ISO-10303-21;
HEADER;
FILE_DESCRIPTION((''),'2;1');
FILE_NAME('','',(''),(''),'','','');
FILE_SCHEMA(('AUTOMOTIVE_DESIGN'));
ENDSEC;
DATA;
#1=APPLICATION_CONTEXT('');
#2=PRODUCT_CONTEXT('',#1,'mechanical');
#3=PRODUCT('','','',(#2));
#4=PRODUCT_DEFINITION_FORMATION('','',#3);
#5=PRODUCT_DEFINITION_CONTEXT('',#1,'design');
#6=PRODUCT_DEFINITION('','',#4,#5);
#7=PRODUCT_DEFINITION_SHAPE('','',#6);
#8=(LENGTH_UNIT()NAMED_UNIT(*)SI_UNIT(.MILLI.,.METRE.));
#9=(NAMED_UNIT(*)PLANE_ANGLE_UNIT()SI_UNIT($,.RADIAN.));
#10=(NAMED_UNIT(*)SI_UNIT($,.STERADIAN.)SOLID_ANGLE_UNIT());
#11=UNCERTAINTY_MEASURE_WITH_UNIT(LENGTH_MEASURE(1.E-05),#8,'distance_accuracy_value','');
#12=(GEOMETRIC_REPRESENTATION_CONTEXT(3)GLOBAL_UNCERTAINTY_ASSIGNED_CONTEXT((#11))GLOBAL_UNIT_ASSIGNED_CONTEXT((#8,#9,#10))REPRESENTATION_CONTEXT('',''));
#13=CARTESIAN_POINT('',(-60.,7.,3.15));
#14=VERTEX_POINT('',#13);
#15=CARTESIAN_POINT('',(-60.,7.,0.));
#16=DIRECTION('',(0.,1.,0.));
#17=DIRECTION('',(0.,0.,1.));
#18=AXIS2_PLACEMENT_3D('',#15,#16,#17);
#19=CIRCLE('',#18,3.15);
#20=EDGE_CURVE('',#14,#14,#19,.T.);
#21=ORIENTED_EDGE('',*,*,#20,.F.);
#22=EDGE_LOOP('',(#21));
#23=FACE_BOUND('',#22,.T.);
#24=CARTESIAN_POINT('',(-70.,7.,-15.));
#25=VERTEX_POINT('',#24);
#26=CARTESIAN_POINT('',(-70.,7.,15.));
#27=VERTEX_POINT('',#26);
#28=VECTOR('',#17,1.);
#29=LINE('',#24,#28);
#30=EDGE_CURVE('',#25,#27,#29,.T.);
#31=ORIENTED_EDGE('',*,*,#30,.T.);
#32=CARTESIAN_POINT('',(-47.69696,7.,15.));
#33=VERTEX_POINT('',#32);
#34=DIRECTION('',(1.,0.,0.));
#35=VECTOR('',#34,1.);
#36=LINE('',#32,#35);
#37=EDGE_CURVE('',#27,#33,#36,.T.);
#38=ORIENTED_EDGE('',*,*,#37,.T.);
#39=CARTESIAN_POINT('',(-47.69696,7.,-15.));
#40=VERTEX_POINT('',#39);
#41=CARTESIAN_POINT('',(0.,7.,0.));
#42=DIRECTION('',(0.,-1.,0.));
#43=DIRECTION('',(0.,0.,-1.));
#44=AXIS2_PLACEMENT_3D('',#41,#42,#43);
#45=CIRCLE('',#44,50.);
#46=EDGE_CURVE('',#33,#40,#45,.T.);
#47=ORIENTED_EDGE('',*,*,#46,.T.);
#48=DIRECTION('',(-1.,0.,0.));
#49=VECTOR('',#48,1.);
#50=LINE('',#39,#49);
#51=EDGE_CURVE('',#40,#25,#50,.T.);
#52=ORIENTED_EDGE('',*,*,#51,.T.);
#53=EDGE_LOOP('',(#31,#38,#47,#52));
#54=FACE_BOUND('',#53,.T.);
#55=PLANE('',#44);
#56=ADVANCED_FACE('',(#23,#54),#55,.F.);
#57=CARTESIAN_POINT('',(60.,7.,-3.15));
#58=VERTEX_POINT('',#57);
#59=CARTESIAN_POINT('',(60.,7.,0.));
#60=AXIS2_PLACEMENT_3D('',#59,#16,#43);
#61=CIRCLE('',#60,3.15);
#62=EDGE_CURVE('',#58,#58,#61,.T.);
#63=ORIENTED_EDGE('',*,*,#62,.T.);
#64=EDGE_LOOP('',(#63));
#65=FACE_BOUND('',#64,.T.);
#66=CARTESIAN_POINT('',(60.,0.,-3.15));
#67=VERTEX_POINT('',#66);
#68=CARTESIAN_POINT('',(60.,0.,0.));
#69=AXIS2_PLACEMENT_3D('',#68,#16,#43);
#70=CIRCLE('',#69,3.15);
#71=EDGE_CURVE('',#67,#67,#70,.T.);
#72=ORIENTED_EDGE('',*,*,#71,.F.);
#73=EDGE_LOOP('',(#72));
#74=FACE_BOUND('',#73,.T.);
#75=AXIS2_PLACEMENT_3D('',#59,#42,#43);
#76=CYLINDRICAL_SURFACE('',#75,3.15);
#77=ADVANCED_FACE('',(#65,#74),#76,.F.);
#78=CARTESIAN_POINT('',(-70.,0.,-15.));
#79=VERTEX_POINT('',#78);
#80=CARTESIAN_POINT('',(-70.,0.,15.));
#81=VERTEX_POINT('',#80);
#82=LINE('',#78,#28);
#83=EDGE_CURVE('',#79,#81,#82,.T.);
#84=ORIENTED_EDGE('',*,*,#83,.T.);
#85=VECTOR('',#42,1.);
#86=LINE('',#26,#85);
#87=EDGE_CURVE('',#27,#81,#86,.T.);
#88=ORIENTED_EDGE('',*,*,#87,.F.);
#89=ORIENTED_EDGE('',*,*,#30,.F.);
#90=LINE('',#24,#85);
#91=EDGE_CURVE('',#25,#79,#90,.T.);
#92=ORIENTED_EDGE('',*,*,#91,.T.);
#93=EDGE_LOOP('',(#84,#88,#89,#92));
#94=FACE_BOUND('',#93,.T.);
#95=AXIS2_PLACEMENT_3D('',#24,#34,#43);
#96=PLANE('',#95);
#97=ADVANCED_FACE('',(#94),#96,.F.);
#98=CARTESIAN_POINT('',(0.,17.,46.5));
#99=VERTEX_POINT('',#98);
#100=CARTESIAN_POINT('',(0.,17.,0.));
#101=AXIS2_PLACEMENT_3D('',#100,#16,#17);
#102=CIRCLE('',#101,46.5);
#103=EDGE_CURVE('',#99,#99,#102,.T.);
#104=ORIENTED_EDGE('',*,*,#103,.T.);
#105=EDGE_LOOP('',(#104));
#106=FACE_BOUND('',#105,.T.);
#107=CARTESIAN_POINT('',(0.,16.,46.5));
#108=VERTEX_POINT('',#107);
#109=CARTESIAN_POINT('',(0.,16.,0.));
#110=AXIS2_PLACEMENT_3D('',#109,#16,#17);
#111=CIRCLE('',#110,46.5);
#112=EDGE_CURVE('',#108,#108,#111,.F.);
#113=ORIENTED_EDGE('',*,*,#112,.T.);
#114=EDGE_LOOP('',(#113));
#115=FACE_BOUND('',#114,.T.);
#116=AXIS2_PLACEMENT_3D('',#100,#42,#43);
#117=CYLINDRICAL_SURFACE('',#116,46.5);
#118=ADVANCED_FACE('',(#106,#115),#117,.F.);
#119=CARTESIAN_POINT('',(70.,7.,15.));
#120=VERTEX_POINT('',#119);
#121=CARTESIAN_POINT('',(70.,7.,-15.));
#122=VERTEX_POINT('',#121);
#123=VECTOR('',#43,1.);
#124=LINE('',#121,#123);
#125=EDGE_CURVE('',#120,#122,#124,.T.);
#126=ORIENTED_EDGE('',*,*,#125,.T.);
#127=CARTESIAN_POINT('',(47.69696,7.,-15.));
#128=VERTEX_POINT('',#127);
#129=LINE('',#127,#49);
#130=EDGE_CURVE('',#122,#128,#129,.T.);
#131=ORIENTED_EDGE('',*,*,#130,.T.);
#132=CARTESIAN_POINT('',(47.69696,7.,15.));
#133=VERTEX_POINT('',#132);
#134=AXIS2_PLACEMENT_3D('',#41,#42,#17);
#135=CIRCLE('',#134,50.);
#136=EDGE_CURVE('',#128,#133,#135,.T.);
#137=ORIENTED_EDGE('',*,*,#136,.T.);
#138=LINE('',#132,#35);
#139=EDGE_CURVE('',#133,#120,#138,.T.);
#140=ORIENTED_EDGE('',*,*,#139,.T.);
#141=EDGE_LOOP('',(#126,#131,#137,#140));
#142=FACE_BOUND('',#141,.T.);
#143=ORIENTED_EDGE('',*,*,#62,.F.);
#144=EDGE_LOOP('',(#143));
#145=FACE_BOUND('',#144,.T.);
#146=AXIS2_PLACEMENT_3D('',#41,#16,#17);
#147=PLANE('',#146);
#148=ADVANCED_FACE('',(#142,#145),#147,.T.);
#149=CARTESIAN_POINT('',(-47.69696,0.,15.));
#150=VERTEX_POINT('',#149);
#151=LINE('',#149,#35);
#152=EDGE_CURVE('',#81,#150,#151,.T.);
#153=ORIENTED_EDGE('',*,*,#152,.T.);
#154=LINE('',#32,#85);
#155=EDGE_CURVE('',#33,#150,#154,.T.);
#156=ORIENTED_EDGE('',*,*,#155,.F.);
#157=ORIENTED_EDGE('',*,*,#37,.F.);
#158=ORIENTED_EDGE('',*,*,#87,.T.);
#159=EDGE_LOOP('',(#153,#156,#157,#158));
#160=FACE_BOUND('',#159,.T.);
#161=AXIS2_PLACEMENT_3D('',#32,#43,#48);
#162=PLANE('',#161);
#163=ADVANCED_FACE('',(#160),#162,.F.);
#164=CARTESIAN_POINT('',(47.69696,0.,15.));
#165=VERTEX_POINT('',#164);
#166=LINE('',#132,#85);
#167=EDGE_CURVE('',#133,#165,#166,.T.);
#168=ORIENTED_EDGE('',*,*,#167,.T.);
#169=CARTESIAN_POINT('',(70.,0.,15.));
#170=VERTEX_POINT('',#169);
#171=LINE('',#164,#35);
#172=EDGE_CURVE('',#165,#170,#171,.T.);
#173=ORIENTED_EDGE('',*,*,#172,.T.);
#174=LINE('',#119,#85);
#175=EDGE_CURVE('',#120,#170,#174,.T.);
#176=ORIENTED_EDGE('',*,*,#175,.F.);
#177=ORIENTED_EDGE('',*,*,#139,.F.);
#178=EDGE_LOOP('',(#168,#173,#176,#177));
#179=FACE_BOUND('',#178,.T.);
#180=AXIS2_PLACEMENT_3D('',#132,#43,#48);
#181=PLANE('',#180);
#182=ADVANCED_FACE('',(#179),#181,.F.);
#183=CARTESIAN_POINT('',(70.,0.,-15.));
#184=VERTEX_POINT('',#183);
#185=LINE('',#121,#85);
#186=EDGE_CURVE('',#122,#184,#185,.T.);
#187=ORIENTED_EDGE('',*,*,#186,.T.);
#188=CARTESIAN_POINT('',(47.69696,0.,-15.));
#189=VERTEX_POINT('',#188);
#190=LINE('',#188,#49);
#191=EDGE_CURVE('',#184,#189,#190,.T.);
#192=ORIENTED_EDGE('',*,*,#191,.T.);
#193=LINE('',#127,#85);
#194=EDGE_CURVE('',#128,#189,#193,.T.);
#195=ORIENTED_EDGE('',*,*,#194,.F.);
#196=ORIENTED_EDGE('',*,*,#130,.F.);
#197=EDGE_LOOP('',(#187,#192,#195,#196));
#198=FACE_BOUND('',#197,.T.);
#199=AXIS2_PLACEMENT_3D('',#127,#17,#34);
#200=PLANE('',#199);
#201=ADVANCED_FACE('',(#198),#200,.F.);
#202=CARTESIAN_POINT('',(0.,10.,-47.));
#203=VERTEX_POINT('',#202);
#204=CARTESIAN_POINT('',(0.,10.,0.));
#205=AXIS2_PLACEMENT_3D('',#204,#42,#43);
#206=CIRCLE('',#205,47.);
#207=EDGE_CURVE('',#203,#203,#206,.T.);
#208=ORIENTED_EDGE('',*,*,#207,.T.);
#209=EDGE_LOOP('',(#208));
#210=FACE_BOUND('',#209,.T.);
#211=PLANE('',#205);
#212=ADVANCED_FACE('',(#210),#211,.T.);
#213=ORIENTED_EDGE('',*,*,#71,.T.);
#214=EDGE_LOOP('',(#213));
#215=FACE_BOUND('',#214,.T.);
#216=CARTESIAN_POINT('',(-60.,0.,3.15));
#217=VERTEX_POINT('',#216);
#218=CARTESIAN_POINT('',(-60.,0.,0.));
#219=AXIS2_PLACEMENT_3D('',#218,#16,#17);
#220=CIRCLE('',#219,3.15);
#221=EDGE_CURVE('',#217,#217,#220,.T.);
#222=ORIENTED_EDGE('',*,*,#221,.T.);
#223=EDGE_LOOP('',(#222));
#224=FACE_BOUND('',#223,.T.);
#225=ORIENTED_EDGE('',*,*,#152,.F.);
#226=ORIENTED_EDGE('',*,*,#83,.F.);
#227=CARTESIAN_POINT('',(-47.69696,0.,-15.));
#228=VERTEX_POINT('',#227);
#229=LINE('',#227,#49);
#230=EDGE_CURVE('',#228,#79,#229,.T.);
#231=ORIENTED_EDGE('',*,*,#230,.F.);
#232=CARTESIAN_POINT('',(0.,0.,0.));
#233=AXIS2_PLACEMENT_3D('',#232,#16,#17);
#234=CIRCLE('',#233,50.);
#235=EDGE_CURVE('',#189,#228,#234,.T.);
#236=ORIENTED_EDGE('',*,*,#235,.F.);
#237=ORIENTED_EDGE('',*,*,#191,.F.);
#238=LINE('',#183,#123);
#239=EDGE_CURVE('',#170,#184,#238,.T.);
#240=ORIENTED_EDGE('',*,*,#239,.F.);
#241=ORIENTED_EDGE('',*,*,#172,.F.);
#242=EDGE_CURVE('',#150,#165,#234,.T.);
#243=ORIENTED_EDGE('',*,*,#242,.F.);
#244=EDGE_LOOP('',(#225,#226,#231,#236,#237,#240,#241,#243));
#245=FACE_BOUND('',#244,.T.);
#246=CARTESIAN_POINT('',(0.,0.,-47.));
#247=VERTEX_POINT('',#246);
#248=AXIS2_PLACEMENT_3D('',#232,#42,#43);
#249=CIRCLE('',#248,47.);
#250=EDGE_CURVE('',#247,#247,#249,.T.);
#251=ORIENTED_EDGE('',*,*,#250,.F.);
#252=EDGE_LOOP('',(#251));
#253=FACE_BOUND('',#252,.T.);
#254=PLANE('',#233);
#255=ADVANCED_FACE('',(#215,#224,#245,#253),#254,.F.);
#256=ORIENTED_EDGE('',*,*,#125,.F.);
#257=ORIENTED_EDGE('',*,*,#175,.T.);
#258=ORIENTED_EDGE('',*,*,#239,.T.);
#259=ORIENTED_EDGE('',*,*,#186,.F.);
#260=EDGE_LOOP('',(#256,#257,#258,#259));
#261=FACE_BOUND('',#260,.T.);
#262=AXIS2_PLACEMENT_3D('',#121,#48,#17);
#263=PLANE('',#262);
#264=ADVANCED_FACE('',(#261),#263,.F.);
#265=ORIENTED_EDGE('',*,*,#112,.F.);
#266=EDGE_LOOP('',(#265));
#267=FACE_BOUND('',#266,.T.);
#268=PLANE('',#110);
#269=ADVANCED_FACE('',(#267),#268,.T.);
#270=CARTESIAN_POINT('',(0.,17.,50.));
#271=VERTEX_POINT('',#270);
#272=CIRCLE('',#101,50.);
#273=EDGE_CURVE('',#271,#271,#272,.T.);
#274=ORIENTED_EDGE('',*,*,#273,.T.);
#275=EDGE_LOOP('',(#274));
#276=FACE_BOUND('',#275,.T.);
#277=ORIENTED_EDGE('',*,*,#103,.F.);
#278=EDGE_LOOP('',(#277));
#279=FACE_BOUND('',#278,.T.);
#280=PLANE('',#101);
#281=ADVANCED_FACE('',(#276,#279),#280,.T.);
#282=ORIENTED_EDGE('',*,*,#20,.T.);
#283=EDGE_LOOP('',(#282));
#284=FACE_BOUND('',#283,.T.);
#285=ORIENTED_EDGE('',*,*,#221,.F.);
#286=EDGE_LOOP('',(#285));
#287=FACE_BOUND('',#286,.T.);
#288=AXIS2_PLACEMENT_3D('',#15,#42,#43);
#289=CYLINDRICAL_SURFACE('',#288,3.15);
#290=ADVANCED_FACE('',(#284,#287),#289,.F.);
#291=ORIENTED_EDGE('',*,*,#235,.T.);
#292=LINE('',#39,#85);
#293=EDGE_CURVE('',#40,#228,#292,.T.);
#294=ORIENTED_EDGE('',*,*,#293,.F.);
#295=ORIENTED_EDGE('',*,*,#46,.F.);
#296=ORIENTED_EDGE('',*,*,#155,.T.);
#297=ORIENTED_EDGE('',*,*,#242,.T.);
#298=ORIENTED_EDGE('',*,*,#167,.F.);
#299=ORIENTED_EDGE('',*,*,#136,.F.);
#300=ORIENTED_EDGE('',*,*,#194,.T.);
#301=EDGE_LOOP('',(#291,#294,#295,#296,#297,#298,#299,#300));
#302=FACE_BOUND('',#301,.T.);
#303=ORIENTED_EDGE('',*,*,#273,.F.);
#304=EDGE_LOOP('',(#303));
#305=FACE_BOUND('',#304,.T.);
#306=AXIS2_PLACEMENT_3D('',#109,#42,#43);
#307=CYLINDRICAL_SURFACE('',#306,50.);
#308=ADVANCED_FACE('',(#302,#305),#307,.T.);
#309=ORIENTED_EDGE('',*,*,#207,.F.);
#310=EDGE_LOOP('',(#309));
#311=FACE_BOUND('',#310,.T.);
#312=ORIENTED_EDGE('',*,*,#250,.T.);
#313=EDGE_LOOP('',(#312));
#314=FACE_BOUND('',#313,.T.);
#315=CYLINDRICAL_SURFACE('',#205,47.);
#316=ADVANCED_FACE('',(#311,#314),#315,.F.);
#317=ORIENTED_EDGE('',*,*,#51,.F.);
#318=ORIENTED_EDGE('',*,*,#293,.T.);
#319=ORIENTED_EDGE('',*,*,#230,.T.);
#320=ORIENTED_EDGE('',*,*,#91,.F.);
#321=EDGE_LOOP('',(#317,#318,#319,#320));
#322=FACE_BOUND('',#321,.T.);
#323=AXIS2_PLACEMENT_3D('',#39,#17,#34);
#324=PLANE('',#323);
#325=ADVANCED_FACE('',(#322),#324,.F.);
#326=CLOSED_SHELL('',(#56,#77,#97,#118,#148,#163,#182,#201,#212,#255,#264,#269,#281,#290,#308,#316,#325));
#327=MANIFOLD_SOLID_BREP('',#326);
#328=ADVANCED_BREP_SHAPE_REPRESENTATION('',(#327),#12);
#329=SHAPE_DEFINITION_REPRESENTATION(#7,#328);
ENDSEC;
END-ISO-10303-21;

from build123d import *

# Parameters (mm, degrees)
SKETCH1_R           = 50
BOSS_EXTRUDE1_DEPTH = 16
SKETCH2_R           = 50
SKETCH2_R_2         = 46.5
BOSS_EXTRUDE2_DEPTH = 1
SKETCH3_R           = 47
CUT_EXTRUDE1_DEPTH  = 10
SKETCH4_R           = 3.15
BOSS_EXTRUDE3_DEPTH = 7


with BuildPart() as part:
    # Sketch1 → Boss-Extrude1 (new body)
    with BuildSketch(Plane(origin=(0, 0, 0), x_dir=(1, 0, 0), z_dir=(0, 1, 0))):
        Circle(SKETCH1_R)
    extrude(amount=BOSS_EXTRUDE1_DEPTH)

    # Sketch2 → Boss-Extrude2 (add)
    with BuildSketch(Plane(origin=(0, 16, 0), x_dir=(1, 0, 0), z_dir=(0, 1, 0))):
        Circle(SKETCH2_R)
        Circle(SKETCH2_R_2, mode=Mode.SUBTRACT)
    extrude(amount=BOSS_EXTRUDE2_DEPTH)

    # Sketch3 → Cut-Extrude1 (cut)
    with BuildSketch(Plane.XZ):
        Circle(SKETCH3_R)
    extrude(amount=-CUT_EXTRUDE1_DEPTH, mode=Mode.SUBTRACT)

    # Sketch4 → Boss-Extrude3 (add)
    with BuildSketch(Plane(origin=(0, 0, 0), x_dir=(1, 0, 0), z_dir=(0, 1, 0))):
        with BuildLine():
            Line((-47.696960071, 15), (-70, 15))
            Line((-70, 15), (-70, -15))
            Line((-70, -15), (-47.696960071, -15))
            ThreePointArc((-47.696960071, -15), (-50, 0), (-47.696960071, 15))
        make_face()
        with Locations((-60, 0)):
            Circle(SKETCH4_R, mode=Mode.SUBTRACT)
        with BuildLine():
            Line((47.696960071, -15), (70, -15))
            Line((70, -15), (70, 15))
            Line((70, 15), (47.696960071, 15))
            ThreePointArc((47.696960071, 15), (50, 0), (47.696960071, -15))
        make_face()
        with Locations((60, 0)):
            Circle(SKETCH4_R, mode=Mode.SUBTRACT)
    extrude(amount=BOSS_EXTRUDE3_DEPTH)


solid = part.part
